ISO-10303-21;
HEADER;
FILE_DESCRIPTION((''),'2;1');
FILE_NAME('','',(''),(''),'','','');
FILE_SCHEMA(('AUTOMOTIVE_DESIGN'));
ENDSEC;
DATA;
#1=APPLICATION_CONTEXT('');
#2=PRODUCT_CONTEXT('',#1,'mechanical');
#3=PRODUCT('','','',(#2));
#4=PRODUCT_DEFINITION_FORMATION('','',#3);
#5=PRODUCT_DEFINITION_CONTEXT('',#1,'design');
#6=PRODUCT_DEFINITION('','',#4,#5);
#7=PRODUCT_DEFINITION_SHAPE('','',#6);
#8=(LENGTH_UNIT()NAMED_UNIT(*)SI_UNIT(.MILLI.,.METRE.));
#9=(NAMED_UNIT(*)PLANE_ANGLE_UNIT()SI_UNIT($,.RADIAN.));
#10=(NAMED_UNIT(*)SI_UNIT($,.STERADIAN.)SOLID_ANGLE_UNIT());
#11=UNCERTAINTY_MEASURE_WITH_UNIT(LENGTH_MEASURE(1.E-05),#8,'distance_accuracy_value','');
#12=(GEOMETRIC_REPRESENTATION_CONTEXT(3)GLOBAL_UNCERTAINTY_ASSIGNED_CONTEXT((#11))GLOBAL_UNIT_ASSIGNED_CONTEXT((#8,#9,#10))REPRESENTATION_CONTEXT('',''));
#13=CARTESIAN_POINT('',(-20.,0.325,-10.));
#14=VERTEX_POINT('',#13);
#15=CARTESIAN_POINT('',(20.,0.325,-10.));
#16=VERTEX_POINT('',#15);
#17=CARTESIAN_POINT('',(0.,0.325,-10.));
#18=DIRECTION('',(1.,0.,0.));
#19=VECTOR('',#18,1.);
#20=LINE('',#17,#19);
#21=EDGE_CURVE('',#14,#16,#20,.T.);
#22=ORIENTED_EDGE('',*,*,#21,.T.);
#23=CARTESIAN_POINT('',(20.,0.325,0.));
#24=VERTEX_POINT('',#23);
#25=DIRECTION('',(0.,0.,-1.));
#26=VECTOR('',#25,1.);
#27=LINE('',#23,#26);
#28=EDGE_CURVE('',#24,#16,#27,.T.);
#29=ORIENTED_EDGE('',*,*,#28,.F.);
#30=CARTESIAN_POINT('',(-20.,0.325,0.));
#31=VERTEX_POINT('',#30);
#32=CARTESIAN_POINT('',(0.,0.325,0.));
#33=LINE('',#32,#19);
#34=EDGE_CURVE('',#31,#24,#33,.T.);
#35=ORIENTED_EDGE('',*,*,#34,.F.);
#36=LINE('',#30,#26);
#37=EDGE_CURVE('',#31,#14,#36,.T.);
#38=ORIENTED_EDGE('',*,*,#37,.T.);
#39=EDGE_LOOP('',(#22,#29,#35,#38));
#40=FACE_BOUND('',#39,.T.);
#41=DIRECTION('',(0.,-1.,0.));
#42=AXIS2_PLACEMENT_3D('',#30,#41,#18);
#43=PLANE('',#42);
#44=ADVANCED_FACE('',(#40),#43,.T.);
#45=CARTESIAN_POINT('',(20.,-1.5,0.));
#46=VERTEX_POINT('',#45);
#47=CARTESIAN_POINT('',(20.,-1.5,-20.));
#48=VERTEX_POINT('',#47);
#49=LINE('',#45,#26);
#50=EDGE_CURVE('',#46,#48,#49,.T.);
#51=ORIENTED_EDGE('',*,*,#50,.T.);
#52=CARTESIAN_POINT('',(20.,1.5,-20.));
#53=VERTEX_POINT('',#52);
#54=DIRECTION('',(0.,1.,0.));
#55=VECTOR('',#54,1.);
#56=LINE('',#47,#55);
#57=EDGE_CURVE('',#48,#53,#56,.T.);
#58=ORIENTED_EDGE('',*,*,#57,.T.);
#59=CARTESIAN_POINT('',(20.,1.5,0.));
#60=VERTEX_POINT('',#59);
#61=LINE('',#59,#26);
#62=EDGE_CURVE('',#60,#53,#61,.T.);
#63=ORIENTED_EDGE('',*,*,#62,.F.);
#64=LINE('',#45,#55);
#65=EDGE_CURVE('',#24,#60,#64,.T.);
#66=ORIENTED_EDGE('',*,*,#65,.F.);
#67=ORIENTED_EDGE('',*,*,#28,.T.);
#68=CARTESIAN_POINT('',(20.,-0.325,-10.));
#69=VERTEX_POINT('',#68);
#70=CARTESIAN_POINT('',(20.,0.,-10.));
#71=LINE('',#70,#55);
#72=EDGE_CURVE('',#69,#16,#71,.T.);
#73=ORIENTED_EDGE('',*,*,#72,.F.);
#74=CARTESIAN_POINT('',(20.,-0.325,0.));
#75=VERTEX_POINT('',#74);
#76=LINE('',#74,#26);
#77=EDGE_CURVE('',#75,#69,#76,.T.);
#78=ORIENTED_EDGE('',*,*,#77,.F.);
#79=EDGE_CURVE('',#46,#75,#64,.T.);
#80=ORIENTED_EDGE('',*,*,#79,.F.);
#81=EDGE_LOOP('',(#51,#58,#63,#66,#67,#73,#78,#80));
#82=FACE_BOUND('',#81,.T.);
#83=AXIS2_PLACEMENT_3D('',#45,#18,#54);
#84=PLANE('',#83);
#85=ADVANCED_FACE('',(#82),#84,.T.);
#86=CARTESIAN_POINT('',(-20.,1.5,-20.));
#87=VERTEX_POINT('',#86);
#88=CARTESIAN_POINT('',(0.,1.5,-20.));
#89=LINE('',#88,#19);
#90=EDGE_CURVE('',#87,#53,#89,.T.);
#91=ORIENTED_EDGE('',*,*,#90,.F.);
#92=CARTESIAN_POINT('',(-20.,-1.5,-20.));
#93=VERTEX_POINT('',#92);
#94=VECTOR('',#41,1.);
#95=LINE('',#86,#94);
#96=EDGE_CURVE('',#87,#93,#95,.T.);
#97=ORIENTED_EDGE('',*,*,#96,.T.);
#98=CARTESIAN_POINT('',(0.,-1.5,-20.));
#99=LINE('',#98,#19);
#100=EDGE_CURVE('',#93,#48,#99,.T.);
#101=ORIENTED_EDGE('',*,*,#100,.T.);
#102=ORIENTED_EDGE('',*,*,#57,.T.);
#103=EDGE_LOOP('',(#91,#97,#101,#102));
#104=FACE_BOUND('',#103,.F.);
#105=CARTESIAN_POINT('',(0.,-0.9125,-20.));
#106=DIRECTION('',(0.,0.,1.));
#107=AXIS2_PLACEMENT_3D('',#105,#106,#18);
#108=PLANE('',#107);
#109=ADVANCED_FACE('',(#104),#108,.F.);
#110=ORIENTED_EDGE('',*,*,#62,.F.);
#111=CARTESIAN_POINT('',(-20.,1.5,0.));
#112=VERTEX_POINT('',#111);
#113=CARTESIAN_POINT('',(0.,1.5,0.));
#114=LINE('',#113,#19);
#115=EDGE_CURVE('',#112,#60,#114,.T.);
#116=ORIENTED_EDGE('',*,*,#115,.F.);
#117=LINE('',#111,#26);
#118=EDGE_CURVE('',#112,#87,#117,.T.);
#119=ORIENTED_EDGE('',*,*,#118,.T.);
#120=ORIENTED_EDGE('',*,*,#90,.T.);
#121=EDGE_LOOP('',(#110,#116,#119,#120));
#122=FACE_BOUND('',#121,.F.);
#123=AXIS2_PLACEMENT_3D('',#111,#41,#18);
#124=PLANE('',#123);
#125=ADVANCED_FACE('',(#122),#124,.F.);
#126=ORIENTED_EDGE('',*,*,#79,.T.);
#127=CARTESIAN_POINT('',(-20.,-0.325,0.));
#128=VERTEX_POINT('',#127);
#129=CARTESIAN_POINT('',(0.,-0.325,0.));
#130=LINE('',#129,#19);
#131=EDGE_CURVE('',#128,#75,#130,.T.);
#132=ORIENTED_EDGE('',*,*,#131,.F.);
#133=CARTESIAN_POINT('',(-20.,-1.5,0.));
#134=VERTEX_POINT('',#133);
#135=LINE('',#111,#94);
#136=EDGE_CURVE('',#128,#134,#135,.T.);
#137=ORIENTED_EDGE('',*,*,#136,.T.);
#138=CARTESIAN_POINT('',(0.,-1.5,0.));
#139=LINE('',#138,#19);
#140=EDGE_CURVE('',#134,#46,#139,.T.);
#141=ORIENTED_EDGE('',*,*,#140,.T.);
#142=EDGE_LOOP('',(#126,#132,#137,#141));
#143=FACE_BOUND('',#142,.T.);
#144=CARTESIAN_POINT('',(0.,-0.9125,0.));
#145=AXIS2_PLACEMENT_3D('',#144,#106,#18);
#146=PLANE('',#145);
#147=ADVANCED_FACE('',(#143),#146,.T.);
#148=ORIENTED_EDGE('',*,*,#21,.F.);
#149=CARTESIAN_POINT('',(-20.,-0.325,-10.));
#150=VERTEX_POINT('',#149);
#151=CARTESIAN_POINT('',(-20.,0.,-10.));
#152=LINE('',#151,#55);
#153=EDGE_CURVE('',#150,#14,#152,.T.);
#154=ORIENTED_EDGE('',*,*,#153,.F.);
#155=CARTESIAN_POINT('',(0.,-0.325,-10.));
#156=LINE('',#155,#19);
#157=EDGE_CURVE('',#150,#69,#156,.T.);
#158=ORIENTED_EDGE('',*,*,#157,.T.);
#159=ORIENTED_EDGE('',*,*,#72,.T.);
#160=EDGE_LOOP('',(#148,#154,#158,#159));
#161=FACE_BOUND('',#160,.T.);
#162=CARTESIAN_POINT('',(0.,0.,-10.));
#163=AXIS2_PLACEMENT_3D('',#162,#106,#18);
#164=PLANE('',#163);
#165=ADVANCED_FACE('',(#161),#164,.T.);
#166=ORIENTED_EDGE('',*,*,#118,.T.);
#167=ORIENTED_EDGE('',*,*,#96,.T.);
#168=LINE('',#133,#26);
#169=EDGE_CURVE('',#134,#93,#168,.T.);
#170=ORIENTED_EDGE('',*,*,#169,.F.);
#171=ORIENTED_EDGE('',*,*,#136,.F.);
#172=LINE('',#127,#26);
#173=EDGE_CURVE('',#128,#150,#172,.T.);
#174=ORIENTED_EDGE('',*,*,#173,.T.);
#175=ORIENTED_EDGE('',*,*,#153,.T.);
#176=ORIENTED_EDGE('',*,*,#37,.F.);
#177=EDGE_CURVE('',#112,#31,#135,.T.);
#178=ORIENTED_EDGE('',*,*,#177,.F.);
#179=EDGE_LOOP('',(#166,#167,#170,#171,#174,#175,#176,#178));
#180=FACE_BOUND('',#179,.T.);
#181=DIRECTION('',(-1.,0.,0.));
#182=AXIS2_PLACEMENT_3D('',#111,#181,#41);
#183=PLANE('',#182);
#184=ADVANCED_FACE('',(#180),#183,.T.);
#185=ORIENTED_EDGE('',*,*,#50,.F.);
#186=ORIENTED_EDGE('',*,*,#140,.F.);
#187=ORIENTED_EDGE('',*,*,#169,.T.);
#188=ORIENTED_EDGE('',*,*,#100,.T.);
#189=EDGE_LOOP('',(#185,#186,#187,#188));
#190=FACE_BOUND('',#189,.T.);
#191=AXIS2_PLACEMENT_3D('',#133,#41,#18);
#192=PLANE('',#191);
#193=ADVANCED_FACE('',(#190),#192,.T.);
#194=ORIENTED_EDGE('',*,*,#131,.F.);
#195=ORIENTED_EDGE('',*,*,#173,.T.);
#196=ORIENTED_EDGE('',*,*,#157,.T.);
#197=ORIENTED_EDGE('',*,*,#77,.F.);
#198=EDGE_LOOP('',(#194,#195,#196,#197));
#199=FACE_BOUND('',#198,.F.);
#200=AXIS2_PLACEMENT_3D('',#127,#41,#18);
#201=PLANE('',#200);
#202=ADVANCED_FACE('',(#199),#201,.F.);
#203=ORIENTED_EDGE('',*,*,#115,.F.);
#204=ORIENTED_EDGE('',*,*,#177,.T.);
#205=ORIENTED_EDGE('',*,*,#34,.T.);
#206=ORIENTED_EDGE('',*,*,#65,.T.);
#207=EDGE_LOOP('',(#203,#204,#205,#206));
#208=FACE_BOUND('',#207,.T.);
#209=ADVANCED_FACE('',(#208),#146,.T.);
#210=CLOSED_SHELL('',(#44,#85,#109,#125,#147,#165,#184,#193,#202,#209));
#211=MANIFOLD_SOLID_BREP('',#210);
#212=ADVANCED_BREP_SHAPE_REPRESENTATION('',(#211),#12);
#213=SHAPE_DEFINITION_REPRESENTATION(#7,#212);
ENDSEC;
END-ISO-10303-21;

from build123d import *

# Parameters (mm, degrees)
F0_W     = 40
F0_H     = 1.175
F0_H_2   = 0.65
F1_DEPTH = 20
F2_DEPTH = 10


with BuildPart() as f1:
    # F0 (on Top) → F1 (new body)
    with BuildSketch(Plane.XY):
        with Locations((0, -0.9125)):
            Rectangle(F0_W, F0_H)
        Rectangle(F0_W, F0_H_2)
        with Locations((0, 0.9125)):
            Rectangle(F0_W, F0_H)
    extrude(amount=-F1_DEPTH)

    # F0 (on Top) → F2 (cut)
    with BuildSketch(Plane.XY):
        Rectangle(F0_W, F0_H_2)
    extrude(amount=-F2_DEPTH, mode=Mode.SUBTRACT)


solid = f1.part
